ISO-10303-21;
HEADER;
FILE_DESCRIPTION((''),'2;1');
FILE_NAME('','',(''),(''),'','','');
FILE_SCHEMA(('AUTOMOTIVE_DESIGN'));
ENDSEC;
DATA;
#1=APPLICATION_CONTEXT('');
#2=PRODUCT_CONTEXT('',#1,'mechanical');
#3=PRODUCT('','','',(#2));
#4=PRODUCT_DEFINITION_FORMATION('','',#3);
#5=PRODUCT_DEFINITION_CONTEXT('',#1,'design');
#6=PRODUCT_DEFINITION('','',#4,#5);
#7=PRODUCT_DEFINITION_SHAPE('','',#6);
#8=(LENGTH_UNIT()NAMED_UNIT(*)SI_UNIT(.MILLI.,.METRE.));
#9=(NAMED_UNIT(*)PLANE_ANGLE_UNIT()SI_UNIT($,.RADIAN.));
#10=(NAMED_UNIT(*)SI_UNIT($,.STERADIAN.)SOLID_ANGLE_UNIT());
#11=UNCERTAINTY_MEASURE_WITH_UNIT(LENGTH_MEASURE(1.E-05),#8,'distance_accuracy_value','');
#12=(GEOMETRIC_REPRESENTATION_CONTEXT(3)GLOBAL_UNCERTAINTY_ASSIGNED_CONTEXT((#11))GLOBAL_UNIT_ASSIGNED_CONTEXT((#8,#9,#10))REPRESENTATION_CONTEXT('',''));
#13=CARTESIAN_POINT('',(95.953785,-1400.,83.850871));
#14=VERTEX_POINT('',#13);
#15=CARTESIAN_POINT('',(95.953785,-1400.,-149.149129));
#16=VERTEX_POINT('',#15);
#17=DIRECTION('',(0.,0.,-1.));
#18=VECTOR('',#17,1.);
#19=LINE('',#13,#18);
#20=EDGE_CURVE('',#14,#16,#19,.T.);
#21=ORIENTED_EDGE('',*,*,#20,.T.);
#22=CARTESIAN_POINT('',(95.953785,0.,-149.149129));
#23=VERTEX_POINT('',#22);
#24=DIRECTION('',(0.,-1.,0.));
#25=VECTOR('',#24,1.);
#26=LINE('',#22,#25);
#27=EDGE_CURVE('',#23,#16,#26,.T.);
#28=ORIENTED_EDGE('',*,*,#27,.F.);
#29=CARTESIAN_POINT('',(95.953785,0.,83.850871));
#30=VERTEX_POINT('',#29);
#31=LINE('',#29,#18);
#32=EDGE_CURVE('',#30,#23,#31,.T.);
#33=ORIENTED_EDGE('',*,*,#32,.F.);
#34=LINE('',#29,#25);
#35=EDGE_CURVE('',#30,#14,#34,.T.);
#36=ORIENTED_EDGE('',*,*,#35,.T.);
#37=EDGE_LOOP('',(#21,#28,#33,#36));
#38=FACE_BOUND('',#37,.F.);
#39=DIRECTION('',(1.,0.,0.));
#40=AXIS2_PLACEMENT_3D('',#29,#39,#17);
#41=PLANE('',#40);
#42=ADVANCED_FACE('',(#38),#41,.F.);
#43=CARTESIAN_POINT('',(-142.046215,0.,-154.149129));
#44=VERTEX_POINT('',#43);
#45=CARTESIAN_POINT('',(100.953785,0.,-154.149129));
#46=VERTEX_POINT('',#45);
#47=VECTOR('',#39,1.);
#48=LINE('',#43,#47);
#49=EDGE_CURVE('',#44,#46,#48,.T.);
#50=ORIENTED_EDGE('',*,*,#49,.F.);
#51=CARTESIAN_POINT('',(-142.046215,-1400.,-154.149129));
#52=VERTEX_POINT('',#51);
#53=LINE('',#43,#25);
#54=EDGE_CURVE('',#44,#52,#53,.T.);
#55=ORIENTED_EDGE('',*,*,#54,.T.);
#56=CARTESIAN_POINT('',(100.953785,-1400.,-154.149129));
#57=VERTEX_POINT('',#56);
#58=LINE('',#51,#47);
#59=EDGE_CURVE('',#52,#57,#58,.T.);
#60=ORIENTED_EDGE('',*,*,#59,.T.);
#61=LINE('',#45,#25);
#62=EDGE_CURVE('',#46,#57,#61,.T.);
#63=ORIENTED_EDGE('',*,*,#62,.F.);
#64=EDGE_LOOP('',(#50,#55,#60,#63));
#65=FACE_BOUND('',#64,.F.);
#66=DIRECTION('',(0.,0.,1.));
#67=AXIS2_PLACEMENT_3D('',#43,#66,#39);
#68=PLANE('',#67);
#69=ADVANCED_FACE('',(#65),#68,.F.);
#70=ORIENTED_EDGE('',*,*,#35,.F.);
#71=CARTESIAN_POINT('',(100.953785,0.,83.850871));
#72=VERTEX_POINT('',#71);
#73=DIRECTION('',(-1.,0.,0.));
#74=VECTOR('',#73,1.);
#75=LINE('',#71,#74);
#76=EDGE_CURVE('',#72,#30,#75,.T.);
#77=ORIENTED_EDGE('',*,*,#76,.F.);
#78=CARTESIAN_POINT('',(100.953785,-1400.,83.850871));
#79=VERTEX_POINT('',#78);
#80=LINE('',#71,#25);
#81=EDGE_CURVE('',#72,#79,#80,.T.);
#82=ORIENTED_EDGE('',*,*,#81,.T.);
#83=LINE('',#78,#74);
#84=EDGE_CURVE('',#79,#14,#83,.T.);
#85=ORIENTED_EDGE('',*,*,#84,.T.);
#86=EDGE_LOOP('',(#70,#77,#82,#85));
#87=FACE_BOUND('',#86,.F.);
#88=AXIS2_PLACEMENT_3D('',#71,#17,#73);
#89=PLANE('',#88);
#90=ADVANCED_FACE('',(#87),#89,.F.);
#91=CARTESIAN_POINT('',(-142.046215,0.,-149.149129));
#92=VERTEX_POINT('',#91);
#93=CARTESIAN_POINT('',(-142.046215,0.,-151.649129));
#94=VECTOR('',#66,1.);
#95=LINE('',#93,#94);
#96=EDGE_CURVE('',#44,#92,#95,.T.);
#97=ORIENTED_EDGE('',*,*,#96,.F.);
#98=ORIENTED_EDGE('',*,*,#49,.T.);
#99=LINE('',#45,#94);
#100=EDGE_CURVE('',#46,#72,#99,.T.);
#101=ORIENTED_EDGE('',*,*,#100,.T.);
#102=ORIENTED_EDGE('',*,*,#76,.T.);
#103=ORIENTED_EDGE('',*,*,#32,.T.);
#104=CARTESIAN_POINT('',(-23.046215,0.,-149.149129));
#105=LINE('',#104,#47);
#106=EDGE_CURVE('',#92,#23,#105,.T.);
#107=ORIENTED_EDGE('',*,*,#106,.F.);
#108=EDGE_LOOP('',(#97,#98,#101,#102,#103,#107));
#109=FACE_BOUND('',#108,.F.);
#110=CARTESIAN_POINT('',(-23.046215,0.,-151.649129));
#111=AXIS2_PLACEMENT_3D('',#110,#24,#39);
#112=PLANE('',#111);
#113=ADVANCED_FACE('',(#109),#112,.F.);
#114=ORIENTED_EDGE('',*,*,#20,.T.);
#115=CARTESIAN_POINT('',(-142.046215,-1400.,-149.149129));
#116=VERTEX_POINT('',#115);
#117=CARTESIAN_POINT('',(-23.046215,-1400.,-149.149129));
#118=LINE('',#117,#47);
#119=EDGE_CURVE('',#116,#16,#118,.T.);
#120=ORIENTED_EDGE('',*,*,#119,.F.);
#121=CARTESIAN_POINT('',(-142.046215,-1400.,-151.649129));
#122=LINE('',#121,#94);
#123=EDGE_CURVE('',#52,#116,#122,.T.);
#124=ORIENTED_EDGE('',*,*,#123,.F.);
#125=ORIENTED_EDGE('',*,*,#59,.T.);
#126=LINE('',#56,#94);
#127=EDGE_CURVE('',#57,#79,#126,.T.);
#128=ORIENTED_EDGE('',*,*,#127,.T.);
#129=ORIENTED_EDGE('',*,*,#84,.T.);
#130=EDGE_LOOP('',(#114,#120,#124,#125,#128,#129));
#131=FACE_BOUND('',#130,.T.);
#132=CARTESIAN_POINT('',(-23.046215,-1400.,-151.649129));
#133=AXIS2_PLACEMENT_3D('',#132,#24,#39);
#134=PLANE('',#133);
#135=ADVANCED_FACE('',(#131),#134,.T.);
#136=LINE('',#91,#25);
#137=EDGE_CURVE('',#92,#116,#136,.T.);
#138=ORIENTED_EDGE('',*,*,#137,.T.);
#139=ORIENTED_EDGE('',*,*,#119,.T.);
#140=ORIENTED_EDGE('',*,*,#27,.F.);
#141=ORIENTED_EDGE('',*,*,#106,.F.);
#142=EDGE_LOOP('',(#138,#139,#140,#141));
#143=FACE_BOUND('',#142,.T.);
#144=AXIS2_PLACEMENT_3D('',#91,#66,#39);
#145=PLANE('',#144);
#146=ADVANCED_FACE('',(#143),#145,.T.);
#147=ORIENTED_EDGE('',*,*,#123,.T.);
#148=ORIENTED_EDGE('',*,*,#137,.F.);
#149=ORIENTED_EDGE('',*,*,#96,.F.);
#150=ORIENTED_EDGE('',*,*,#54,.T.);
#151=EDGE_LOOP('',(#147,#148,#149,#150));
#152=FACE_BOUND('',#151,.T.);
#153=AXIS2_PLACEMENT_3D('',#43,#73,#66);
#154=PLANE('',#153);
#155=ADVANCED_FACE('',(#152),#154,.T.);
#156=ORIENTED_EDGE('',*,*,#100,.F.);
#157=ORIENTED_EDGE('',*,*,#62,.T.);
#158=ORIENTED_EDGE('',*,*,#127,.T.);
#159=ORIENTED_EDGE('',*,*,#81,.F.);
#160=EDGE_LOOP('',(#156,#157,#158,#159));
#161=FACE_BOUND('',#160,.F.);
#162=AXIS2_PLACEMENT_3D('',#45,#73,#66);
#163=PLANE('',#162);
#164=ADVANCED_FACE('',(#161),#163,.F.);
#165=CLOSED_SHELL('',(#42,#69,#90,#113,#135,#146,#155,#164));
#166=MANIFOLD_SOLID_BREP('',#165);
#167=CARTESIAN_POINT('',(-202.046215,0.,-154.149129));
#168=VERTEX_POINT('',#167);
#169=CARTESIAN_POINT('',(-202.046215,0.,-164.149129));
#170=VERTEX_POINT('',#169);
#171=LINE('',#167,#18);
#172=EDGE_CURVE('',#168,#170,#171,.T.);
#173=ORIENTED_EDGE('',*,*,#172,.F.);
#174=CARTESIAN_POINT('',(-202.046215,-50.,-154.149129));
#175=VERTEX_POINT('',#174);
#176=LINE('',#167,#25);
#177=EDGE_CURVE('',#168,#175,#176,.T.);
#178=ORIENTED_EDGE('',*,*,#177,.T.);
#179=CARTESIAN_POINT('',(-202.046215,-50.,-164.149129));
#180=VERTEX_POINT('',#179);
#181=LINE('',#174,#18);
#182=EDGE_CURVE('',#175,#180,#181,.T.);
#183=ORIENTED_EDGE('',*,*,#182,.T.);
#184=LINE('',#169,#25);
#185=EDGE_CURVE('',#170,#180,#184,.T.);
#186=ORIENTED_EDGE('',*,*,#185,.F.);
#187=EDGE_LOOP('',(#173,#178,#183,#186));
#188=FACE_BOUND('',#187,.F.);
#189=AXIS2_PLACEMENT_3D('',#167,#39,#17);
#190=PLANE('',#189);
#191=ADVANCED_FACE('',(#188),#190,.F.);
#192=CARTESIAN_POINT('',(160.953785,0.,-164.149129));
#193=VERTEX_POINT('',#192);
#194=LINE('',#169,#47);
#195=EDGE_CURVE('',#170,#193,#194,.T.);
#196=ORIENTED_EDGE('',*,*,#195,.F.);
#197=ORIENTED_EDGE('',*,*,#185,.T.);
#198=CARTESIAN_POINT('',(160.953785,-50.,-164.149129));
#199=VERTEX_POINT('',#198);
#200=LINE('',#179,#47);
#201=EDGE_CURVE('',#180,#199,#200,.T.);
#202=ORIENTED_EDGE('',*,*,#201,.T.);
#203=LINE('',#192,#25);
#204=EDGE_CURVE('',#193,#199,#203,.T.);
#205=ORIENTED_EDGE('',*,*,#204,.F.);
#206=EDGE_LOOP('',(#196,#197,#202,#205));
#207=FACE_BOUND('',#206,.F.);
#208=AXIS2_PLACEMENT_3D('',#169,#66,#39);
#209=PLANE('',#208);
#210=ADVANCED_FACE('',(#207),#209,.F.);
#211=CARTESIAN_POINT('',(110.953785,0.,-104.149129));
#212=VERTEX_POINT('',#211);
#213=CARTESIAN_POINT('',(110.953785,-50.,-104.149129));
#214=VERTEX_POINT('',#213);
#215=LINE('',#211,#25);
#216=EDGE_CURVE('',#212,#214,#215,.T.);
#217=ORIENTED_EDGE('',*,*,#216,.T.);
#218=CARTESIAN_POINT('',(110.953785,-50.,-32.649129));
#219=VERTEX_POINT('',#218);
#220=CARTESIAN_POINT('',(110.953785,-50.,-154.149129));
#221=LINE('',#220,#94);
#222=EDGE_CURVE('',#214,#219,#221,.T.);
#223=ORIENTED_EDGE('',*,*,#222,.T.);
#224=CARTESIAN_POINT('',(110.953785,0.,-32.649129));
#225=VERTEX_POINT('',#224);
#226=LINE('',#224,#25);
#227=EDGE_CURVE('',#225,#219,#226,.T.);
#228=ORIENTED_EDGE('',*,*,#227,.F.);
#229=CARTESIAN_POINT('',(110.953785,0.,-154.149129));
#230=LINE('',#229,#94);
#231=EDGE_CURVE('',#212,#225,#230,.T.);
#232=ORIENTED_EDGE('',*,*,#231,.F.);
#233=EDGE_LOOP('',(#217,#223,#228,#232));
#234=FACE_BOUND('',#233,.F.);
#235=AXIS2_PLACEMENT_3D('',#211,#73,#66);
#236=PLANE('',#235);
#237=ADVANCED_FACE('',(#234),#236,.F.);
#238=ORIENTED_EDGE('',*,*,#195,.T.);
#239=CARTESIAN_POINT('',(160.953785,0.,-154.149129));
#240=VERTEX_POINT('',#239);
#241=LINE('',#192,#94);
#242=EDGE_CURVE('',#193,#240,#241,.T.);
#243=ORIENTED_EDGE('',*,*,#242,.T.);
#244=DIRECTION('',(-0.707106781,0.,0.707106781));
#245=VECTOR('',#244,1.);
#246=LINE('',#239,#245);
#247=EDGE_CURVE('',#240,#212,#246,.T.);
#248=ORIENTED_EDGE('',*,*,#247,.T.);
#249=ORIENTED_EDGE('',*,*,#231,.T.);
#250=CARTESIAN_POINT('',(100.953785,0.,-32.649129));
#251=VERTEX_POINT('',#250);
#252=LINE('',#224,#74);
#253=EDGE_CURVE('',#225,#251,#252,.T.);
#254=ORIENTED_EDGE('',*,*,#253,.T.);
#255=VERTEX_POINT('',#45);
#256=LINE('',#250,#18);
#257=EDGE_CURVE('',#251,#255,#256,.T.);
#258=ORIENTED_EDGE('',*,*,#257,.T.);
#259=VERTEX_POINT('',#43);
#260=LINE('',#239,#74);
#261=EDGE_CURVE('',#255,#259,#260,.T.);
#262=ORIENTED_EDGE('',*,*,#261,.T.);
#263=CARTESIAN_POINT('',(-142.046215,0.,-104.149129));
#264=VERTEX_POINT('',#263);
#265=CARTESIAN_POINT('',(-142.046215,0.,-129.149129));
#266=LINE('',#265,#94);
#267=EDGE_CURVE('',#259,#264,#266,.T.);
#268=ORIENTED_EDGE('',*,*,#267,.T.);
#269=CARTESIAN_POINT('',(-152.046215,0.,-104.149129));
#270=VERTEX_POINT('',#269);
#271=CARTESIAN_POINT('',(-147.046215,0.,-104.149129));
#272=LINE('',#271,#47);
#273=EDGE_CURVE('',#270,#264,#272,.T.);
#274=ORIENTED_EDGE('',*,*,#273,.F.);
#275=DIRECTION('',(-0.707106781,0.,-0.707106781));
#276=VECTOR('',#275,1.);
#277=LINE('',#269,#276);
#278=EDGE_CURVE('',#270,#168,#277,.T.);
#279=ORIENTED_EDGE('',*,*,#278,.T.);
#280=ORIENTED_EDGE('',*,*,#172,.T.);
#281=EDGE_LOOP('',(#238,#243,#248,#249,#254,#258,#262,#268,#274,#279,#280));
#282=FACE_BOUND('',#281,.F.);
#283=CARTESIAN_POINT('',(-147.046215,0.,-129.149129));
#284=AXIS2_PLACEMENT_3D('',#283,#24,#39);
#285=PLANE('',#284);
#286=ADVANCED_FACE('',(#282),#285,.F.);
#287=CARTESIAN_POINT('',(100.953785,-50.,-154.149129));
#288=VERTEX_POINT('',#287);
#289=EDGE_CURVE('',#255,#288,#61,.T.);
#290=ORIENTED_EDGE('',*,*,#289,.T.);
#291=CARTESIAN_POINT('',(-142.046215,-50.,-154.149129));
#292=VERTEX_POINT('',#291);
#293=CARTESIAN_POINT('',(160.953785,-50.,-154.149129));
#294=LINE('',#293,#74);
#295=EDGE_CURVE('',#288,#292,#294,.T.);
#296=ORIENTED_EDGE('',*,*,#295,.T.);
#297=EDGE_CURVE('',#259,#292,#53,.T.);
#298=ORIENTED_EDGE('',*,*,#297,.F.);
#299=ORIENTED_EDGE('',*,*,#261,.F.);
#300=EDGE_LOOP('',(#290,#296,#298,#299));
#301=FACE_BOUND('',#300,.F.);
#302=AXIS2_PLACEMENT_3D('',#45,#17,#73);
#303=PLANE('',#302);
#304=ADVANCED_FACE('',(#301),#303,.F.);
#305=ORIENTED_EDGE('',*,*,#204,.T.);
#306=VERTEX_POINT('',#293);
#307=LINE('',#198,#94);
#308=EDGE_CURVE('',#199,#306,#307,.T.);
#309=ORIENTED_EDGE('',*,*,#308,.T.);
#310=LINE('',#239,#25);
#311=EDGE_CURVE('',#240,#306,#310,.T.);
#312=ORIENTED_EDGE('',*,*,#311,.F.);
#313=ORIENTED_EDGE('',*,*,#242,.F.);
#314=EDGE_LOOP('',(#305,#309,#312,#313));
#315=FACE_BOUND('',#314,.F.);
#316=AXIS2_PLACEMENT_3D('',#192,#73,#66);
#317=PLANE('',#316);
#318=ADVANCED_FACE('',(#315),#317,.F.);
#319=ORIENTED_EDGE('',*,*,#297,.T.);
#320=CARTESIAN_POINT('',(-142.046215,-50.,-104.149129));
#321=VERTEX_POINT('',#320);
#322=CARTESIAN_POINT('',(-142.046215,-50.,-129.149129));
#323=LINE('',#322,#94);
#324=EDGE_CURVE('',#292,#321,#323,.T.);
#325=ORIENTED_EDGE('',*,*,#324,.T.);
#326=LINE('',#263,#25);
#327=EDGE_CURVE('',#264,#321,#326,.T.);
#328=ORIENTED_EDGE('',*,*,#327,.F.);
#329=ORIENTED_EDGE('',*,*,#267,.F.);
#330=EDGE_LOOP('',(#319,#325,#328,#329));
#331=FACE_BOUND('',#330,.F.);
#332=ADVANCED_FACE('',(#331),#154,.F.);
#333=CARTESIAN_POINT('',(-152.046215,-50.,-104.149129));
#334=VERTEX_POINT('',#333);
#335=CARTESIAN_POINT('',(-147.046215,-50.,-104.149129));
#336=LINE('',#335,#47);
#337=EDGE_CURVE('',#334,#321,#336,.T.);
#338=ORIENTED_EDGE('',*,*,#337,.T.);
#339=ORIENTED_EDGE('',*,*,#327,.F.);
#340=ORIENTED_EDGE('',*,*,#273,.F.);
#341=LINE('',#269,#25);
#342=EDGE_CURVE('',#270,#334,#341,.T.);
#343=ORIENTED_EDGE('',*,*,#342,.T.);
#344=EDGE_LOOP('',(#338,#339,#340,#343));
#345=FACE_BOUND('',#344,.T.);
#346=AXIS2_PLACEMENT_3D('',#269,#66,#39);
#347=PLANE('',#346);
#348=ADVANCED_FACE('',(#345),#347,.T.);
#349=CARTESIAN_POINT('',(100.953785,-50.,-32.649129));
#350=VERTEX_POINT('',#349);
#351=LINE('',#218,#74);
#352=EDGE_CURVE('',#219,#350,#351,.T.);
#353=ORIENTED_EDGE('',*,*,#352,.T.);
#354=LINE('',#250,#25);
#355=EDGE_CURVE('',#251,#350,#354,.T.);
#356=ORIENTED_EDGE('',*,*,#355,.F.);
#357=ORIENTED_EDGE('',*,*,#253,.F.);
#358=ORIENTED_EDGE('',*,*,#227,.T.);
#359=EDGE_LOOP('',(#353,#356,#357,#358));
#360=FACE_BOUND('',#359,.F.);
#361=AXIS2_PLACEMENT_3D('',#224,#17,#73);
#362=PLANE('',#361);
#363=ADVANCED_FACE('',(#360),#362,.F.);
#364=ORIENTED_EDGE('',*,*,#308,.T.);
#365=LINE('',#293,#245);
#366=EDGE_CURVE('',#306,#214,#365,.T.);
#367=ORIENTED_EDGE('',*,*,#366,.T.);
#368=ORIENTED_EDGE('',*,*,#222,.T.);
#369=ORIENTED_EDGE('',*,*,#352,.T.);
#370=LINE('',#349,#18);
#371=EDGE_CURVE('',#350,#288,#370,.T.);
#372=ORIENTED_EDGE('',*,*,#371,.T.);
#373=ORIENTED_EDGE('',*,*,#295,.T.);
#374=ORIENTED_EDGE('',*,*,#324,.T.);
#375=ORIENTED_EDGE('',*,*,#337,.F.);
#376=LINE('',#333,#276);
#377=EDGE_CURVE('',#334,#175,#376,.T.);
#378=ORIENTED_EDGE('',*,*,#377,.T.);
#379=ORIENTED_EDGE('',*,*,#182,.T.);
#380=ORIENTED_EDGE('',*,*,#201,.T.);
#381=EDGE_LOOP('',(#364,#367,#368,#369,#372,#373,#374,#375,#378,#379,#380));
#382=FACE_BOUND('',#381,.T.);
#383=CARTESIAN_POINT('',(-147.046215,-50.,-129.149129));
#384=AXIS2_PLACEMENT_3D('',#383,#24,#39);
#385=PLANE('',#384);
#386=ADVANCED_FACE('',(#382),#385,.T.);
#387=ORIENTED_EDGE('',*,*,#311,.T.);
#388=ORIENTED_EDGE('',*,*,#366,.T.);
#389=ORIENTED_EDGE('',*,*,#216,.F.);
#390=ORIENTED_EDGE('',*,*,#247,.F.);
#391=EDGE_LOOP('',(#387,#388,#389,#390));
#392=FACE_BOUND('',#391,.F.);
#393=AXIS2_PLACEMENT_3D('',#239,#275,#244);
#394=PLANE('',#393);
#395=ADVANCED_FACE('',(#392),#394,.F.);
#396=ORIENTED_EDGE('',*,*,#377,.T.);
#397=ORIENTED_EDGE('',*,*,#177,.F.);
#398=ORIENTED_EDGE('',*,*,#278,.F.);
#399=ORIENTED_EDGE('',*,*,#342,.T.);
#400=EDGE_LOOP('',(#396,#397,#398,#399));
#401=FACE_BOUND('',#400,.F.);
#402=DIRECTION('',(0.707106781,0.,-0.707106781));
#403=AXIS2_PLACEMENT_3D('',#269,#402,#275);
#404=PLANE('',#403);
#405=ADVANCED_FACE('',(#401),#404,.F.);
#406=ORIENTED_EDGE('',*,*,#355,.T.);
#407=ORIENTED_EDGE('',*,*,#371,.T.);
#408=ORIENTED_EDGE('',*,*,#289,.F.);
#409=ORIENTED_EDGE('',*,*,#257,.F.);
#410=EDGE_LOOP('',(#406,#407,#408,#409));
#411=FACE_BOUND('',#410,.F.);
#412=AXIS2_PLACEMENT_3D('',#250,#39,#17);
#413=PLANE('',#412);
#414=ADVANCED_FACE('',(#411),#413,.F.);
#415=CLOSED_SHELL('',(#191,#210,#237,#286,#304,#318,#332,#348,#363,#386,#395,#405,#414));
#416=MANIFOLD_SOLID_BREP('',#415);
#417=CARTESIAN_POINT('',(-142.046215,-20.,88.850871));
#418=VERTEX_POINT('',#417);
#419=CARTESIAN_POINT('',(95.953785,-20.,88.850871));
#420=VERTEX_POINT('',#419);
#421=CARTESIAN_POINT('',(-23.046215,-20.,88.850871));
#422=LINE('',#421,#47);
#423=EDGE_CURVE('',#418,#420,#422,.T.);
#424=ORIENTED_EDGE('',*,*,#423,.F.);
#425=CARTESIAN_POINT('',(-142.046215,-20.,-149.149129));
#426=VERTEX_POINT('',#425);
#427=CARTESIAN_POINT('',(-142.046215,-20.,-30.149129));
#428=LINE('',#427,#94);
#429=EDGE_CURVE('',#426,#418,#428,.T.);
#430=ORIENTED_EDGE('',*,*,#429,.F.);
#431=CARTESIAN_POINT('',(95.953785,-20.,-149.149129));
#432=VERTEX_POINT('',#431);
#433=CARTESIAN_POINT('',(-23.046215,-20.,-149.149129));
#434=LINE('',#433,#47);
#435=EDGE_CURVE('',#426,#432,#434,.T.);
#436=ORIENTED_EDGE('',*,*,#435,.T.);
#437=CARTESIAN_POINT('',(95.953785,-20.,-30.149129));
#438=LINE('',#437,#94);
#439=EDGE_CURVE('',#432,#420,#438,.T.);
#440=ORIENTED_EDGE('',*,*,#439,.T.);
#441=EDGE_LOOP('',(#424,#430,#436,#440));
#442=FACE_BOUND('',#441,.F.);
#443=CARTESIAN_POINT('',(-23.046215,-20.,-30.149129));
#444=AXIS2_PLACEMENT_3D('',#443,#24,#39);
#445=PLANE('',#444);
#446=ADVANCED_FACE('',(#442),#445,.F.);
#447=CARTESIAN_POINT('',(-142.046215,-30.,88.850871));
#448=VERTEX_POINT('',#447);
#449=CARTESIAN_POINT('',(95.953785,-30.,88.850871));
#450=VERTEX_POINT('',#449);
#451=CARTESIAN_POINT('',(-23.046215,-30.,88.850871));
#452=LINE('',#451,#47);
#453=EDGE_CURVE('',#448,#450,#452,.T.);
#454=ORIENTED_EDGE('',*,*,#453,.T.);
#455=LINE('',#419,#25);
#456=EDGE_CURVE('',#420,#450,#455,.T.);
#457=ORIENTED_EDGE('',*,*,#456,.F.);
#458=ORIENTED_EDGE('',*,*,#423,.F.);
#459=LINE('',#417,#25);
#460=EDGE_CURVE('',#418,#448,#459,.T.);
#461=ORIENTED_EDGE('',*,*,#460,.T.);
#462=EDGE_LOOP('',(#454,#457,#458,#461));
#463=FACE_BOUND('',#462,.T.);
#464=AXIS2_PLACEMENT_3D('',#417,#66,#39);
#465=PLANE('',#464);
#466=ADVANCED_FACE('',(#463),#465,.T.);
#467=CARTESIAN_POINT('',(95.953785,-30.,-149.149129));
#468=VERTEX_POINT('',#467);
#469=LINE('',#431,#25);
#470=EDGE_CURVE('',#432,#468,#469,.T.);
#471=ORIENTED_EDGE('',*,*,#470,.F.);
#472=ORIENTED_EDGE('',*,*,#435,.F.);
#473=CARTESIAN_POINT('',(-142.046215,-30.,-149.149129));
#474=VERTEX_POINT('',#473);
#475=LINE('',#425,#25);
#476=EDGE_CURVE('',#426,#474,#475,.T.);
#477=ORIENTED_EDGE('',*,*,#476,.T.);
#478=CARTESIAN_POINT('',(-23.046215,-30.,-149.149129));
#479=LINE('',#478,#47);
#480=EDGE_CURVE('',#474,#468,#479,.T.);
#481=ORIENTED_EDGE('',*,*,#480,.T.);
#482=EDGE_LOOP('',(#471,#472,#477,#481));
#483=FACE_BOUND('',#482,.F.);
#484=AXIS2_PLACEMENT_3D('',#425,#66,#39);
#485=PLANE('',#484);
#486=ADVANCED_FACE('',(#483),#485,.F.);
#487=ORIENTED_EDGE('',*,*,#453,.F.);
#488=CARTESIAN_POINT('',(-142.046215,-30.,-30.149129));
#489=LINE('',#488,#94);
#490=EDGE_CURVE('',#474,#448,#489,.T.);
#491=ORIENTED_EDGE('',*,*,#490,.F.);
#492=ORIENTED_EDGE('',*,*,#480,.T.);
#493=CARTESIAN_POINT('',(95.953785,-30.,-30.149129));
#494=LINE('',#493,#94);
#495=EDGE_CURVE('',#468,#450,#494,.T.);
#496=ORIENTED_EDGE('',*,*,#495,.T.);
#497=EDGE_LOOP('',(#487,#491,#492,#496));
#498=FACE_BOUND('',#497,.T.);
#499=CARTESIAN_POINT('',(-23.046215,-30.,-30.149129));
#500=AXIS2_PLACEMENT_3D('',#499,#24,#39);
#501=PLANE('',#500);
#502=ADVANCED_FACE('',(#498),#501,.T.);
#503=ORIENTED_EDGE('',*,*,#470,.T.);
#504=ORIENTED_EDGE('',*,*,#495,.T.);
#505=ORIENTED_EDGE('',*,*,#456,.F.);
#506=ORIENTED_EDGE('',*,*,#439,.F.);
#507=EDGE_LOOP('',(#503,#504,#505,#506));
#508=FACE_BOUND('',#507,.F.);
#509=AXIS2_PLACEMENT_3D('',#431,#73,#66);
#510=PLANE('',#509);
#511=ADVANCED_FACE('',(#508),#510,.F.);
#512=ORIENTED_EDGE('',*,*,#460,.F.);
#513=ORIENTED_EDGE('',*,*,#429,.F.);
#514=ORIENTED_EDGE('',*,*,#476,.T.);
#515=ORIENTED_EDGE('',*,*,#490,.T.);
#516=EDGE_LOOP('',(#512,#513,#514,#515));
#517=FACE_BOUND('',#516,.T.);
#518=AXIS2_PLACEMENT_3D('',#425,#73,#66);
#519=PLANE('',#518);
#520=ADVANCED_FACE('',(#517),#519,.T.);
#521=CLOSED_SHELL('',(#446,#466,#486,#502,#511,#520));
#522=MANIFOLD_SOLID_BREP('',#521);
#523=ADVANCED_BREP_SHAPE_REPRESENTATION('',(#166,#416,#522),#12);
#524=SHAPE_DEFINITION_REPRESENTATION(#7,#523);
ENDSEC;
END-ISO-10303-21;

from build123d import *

# Parameters (mm, degrees)
F0_W     = 10
F0_H     = 50
F1_DEPTH = 50
F3_W     = 238
F3_H     = 238
F4_DEPTH = 10
F5_W     = 238
F5_H     = 5
F6_DEPTH = 1400


with BuildPart() as f1:
    # F0 (on Front) → F1 (new body)
    with BuildSketch(Plane.XZ):
        with Locations((-147.046215, -129.149129)):
            Rectangle(F0_W, F0_H)
        Polygon((100.953785, -154.149129), (-142.046215, -154.149129), (-152.046215, -154.149129), (-202.046215, -154.149129), (-202.046215, -164.149129), (160.953785, -164.149129), (160.953785, -154.149129), (110.953785, -154.149129), align=None)
        Polygon((100.953785, -32.649129), (100.953785, -154.149129), (110.953785, -154.149129), (110.953785, -104.149129), (110.953785, -32.649129), align=None)
        Polygon((-202.046215, -154.149129), (-152.046215, -154.149129), (-152.046215, -104.149129), align=None)
        Polygon((110.953785, -104.149129), (110.953785, -154.149129), (160.953785, -154.149129), align=None)
    extrude(amount=F1_DEPTH)


with BuildPart() as f4:
    # F3 (on offset) → F4 (new body)
    with BuildSketch(Plane.XZ.offset(20)):
        with Locations((-23.046215, -30.149129)):
            Rectangle(F3_W, F3_H)
    extrude(amount=F4_DEPTH)


with BuildPart() as f6:
    # F5 (on Front) → F6 (new body)
    with BuildSketch(Plane.XZ):
        with Locations((-23.046215, -151.649129)):
            Rectangle(F5_W, F5_H)
        Polygon((95.953785, -149.149129), (95.953785, -154.149129), (100.953785, -154.149129), (100.953785, 83.850871), (95.953785, 83.850871), align=None)
    extrude(amount=F6_DEPTH)


solid = Compound([f1.part, f4.part, f6.part])
